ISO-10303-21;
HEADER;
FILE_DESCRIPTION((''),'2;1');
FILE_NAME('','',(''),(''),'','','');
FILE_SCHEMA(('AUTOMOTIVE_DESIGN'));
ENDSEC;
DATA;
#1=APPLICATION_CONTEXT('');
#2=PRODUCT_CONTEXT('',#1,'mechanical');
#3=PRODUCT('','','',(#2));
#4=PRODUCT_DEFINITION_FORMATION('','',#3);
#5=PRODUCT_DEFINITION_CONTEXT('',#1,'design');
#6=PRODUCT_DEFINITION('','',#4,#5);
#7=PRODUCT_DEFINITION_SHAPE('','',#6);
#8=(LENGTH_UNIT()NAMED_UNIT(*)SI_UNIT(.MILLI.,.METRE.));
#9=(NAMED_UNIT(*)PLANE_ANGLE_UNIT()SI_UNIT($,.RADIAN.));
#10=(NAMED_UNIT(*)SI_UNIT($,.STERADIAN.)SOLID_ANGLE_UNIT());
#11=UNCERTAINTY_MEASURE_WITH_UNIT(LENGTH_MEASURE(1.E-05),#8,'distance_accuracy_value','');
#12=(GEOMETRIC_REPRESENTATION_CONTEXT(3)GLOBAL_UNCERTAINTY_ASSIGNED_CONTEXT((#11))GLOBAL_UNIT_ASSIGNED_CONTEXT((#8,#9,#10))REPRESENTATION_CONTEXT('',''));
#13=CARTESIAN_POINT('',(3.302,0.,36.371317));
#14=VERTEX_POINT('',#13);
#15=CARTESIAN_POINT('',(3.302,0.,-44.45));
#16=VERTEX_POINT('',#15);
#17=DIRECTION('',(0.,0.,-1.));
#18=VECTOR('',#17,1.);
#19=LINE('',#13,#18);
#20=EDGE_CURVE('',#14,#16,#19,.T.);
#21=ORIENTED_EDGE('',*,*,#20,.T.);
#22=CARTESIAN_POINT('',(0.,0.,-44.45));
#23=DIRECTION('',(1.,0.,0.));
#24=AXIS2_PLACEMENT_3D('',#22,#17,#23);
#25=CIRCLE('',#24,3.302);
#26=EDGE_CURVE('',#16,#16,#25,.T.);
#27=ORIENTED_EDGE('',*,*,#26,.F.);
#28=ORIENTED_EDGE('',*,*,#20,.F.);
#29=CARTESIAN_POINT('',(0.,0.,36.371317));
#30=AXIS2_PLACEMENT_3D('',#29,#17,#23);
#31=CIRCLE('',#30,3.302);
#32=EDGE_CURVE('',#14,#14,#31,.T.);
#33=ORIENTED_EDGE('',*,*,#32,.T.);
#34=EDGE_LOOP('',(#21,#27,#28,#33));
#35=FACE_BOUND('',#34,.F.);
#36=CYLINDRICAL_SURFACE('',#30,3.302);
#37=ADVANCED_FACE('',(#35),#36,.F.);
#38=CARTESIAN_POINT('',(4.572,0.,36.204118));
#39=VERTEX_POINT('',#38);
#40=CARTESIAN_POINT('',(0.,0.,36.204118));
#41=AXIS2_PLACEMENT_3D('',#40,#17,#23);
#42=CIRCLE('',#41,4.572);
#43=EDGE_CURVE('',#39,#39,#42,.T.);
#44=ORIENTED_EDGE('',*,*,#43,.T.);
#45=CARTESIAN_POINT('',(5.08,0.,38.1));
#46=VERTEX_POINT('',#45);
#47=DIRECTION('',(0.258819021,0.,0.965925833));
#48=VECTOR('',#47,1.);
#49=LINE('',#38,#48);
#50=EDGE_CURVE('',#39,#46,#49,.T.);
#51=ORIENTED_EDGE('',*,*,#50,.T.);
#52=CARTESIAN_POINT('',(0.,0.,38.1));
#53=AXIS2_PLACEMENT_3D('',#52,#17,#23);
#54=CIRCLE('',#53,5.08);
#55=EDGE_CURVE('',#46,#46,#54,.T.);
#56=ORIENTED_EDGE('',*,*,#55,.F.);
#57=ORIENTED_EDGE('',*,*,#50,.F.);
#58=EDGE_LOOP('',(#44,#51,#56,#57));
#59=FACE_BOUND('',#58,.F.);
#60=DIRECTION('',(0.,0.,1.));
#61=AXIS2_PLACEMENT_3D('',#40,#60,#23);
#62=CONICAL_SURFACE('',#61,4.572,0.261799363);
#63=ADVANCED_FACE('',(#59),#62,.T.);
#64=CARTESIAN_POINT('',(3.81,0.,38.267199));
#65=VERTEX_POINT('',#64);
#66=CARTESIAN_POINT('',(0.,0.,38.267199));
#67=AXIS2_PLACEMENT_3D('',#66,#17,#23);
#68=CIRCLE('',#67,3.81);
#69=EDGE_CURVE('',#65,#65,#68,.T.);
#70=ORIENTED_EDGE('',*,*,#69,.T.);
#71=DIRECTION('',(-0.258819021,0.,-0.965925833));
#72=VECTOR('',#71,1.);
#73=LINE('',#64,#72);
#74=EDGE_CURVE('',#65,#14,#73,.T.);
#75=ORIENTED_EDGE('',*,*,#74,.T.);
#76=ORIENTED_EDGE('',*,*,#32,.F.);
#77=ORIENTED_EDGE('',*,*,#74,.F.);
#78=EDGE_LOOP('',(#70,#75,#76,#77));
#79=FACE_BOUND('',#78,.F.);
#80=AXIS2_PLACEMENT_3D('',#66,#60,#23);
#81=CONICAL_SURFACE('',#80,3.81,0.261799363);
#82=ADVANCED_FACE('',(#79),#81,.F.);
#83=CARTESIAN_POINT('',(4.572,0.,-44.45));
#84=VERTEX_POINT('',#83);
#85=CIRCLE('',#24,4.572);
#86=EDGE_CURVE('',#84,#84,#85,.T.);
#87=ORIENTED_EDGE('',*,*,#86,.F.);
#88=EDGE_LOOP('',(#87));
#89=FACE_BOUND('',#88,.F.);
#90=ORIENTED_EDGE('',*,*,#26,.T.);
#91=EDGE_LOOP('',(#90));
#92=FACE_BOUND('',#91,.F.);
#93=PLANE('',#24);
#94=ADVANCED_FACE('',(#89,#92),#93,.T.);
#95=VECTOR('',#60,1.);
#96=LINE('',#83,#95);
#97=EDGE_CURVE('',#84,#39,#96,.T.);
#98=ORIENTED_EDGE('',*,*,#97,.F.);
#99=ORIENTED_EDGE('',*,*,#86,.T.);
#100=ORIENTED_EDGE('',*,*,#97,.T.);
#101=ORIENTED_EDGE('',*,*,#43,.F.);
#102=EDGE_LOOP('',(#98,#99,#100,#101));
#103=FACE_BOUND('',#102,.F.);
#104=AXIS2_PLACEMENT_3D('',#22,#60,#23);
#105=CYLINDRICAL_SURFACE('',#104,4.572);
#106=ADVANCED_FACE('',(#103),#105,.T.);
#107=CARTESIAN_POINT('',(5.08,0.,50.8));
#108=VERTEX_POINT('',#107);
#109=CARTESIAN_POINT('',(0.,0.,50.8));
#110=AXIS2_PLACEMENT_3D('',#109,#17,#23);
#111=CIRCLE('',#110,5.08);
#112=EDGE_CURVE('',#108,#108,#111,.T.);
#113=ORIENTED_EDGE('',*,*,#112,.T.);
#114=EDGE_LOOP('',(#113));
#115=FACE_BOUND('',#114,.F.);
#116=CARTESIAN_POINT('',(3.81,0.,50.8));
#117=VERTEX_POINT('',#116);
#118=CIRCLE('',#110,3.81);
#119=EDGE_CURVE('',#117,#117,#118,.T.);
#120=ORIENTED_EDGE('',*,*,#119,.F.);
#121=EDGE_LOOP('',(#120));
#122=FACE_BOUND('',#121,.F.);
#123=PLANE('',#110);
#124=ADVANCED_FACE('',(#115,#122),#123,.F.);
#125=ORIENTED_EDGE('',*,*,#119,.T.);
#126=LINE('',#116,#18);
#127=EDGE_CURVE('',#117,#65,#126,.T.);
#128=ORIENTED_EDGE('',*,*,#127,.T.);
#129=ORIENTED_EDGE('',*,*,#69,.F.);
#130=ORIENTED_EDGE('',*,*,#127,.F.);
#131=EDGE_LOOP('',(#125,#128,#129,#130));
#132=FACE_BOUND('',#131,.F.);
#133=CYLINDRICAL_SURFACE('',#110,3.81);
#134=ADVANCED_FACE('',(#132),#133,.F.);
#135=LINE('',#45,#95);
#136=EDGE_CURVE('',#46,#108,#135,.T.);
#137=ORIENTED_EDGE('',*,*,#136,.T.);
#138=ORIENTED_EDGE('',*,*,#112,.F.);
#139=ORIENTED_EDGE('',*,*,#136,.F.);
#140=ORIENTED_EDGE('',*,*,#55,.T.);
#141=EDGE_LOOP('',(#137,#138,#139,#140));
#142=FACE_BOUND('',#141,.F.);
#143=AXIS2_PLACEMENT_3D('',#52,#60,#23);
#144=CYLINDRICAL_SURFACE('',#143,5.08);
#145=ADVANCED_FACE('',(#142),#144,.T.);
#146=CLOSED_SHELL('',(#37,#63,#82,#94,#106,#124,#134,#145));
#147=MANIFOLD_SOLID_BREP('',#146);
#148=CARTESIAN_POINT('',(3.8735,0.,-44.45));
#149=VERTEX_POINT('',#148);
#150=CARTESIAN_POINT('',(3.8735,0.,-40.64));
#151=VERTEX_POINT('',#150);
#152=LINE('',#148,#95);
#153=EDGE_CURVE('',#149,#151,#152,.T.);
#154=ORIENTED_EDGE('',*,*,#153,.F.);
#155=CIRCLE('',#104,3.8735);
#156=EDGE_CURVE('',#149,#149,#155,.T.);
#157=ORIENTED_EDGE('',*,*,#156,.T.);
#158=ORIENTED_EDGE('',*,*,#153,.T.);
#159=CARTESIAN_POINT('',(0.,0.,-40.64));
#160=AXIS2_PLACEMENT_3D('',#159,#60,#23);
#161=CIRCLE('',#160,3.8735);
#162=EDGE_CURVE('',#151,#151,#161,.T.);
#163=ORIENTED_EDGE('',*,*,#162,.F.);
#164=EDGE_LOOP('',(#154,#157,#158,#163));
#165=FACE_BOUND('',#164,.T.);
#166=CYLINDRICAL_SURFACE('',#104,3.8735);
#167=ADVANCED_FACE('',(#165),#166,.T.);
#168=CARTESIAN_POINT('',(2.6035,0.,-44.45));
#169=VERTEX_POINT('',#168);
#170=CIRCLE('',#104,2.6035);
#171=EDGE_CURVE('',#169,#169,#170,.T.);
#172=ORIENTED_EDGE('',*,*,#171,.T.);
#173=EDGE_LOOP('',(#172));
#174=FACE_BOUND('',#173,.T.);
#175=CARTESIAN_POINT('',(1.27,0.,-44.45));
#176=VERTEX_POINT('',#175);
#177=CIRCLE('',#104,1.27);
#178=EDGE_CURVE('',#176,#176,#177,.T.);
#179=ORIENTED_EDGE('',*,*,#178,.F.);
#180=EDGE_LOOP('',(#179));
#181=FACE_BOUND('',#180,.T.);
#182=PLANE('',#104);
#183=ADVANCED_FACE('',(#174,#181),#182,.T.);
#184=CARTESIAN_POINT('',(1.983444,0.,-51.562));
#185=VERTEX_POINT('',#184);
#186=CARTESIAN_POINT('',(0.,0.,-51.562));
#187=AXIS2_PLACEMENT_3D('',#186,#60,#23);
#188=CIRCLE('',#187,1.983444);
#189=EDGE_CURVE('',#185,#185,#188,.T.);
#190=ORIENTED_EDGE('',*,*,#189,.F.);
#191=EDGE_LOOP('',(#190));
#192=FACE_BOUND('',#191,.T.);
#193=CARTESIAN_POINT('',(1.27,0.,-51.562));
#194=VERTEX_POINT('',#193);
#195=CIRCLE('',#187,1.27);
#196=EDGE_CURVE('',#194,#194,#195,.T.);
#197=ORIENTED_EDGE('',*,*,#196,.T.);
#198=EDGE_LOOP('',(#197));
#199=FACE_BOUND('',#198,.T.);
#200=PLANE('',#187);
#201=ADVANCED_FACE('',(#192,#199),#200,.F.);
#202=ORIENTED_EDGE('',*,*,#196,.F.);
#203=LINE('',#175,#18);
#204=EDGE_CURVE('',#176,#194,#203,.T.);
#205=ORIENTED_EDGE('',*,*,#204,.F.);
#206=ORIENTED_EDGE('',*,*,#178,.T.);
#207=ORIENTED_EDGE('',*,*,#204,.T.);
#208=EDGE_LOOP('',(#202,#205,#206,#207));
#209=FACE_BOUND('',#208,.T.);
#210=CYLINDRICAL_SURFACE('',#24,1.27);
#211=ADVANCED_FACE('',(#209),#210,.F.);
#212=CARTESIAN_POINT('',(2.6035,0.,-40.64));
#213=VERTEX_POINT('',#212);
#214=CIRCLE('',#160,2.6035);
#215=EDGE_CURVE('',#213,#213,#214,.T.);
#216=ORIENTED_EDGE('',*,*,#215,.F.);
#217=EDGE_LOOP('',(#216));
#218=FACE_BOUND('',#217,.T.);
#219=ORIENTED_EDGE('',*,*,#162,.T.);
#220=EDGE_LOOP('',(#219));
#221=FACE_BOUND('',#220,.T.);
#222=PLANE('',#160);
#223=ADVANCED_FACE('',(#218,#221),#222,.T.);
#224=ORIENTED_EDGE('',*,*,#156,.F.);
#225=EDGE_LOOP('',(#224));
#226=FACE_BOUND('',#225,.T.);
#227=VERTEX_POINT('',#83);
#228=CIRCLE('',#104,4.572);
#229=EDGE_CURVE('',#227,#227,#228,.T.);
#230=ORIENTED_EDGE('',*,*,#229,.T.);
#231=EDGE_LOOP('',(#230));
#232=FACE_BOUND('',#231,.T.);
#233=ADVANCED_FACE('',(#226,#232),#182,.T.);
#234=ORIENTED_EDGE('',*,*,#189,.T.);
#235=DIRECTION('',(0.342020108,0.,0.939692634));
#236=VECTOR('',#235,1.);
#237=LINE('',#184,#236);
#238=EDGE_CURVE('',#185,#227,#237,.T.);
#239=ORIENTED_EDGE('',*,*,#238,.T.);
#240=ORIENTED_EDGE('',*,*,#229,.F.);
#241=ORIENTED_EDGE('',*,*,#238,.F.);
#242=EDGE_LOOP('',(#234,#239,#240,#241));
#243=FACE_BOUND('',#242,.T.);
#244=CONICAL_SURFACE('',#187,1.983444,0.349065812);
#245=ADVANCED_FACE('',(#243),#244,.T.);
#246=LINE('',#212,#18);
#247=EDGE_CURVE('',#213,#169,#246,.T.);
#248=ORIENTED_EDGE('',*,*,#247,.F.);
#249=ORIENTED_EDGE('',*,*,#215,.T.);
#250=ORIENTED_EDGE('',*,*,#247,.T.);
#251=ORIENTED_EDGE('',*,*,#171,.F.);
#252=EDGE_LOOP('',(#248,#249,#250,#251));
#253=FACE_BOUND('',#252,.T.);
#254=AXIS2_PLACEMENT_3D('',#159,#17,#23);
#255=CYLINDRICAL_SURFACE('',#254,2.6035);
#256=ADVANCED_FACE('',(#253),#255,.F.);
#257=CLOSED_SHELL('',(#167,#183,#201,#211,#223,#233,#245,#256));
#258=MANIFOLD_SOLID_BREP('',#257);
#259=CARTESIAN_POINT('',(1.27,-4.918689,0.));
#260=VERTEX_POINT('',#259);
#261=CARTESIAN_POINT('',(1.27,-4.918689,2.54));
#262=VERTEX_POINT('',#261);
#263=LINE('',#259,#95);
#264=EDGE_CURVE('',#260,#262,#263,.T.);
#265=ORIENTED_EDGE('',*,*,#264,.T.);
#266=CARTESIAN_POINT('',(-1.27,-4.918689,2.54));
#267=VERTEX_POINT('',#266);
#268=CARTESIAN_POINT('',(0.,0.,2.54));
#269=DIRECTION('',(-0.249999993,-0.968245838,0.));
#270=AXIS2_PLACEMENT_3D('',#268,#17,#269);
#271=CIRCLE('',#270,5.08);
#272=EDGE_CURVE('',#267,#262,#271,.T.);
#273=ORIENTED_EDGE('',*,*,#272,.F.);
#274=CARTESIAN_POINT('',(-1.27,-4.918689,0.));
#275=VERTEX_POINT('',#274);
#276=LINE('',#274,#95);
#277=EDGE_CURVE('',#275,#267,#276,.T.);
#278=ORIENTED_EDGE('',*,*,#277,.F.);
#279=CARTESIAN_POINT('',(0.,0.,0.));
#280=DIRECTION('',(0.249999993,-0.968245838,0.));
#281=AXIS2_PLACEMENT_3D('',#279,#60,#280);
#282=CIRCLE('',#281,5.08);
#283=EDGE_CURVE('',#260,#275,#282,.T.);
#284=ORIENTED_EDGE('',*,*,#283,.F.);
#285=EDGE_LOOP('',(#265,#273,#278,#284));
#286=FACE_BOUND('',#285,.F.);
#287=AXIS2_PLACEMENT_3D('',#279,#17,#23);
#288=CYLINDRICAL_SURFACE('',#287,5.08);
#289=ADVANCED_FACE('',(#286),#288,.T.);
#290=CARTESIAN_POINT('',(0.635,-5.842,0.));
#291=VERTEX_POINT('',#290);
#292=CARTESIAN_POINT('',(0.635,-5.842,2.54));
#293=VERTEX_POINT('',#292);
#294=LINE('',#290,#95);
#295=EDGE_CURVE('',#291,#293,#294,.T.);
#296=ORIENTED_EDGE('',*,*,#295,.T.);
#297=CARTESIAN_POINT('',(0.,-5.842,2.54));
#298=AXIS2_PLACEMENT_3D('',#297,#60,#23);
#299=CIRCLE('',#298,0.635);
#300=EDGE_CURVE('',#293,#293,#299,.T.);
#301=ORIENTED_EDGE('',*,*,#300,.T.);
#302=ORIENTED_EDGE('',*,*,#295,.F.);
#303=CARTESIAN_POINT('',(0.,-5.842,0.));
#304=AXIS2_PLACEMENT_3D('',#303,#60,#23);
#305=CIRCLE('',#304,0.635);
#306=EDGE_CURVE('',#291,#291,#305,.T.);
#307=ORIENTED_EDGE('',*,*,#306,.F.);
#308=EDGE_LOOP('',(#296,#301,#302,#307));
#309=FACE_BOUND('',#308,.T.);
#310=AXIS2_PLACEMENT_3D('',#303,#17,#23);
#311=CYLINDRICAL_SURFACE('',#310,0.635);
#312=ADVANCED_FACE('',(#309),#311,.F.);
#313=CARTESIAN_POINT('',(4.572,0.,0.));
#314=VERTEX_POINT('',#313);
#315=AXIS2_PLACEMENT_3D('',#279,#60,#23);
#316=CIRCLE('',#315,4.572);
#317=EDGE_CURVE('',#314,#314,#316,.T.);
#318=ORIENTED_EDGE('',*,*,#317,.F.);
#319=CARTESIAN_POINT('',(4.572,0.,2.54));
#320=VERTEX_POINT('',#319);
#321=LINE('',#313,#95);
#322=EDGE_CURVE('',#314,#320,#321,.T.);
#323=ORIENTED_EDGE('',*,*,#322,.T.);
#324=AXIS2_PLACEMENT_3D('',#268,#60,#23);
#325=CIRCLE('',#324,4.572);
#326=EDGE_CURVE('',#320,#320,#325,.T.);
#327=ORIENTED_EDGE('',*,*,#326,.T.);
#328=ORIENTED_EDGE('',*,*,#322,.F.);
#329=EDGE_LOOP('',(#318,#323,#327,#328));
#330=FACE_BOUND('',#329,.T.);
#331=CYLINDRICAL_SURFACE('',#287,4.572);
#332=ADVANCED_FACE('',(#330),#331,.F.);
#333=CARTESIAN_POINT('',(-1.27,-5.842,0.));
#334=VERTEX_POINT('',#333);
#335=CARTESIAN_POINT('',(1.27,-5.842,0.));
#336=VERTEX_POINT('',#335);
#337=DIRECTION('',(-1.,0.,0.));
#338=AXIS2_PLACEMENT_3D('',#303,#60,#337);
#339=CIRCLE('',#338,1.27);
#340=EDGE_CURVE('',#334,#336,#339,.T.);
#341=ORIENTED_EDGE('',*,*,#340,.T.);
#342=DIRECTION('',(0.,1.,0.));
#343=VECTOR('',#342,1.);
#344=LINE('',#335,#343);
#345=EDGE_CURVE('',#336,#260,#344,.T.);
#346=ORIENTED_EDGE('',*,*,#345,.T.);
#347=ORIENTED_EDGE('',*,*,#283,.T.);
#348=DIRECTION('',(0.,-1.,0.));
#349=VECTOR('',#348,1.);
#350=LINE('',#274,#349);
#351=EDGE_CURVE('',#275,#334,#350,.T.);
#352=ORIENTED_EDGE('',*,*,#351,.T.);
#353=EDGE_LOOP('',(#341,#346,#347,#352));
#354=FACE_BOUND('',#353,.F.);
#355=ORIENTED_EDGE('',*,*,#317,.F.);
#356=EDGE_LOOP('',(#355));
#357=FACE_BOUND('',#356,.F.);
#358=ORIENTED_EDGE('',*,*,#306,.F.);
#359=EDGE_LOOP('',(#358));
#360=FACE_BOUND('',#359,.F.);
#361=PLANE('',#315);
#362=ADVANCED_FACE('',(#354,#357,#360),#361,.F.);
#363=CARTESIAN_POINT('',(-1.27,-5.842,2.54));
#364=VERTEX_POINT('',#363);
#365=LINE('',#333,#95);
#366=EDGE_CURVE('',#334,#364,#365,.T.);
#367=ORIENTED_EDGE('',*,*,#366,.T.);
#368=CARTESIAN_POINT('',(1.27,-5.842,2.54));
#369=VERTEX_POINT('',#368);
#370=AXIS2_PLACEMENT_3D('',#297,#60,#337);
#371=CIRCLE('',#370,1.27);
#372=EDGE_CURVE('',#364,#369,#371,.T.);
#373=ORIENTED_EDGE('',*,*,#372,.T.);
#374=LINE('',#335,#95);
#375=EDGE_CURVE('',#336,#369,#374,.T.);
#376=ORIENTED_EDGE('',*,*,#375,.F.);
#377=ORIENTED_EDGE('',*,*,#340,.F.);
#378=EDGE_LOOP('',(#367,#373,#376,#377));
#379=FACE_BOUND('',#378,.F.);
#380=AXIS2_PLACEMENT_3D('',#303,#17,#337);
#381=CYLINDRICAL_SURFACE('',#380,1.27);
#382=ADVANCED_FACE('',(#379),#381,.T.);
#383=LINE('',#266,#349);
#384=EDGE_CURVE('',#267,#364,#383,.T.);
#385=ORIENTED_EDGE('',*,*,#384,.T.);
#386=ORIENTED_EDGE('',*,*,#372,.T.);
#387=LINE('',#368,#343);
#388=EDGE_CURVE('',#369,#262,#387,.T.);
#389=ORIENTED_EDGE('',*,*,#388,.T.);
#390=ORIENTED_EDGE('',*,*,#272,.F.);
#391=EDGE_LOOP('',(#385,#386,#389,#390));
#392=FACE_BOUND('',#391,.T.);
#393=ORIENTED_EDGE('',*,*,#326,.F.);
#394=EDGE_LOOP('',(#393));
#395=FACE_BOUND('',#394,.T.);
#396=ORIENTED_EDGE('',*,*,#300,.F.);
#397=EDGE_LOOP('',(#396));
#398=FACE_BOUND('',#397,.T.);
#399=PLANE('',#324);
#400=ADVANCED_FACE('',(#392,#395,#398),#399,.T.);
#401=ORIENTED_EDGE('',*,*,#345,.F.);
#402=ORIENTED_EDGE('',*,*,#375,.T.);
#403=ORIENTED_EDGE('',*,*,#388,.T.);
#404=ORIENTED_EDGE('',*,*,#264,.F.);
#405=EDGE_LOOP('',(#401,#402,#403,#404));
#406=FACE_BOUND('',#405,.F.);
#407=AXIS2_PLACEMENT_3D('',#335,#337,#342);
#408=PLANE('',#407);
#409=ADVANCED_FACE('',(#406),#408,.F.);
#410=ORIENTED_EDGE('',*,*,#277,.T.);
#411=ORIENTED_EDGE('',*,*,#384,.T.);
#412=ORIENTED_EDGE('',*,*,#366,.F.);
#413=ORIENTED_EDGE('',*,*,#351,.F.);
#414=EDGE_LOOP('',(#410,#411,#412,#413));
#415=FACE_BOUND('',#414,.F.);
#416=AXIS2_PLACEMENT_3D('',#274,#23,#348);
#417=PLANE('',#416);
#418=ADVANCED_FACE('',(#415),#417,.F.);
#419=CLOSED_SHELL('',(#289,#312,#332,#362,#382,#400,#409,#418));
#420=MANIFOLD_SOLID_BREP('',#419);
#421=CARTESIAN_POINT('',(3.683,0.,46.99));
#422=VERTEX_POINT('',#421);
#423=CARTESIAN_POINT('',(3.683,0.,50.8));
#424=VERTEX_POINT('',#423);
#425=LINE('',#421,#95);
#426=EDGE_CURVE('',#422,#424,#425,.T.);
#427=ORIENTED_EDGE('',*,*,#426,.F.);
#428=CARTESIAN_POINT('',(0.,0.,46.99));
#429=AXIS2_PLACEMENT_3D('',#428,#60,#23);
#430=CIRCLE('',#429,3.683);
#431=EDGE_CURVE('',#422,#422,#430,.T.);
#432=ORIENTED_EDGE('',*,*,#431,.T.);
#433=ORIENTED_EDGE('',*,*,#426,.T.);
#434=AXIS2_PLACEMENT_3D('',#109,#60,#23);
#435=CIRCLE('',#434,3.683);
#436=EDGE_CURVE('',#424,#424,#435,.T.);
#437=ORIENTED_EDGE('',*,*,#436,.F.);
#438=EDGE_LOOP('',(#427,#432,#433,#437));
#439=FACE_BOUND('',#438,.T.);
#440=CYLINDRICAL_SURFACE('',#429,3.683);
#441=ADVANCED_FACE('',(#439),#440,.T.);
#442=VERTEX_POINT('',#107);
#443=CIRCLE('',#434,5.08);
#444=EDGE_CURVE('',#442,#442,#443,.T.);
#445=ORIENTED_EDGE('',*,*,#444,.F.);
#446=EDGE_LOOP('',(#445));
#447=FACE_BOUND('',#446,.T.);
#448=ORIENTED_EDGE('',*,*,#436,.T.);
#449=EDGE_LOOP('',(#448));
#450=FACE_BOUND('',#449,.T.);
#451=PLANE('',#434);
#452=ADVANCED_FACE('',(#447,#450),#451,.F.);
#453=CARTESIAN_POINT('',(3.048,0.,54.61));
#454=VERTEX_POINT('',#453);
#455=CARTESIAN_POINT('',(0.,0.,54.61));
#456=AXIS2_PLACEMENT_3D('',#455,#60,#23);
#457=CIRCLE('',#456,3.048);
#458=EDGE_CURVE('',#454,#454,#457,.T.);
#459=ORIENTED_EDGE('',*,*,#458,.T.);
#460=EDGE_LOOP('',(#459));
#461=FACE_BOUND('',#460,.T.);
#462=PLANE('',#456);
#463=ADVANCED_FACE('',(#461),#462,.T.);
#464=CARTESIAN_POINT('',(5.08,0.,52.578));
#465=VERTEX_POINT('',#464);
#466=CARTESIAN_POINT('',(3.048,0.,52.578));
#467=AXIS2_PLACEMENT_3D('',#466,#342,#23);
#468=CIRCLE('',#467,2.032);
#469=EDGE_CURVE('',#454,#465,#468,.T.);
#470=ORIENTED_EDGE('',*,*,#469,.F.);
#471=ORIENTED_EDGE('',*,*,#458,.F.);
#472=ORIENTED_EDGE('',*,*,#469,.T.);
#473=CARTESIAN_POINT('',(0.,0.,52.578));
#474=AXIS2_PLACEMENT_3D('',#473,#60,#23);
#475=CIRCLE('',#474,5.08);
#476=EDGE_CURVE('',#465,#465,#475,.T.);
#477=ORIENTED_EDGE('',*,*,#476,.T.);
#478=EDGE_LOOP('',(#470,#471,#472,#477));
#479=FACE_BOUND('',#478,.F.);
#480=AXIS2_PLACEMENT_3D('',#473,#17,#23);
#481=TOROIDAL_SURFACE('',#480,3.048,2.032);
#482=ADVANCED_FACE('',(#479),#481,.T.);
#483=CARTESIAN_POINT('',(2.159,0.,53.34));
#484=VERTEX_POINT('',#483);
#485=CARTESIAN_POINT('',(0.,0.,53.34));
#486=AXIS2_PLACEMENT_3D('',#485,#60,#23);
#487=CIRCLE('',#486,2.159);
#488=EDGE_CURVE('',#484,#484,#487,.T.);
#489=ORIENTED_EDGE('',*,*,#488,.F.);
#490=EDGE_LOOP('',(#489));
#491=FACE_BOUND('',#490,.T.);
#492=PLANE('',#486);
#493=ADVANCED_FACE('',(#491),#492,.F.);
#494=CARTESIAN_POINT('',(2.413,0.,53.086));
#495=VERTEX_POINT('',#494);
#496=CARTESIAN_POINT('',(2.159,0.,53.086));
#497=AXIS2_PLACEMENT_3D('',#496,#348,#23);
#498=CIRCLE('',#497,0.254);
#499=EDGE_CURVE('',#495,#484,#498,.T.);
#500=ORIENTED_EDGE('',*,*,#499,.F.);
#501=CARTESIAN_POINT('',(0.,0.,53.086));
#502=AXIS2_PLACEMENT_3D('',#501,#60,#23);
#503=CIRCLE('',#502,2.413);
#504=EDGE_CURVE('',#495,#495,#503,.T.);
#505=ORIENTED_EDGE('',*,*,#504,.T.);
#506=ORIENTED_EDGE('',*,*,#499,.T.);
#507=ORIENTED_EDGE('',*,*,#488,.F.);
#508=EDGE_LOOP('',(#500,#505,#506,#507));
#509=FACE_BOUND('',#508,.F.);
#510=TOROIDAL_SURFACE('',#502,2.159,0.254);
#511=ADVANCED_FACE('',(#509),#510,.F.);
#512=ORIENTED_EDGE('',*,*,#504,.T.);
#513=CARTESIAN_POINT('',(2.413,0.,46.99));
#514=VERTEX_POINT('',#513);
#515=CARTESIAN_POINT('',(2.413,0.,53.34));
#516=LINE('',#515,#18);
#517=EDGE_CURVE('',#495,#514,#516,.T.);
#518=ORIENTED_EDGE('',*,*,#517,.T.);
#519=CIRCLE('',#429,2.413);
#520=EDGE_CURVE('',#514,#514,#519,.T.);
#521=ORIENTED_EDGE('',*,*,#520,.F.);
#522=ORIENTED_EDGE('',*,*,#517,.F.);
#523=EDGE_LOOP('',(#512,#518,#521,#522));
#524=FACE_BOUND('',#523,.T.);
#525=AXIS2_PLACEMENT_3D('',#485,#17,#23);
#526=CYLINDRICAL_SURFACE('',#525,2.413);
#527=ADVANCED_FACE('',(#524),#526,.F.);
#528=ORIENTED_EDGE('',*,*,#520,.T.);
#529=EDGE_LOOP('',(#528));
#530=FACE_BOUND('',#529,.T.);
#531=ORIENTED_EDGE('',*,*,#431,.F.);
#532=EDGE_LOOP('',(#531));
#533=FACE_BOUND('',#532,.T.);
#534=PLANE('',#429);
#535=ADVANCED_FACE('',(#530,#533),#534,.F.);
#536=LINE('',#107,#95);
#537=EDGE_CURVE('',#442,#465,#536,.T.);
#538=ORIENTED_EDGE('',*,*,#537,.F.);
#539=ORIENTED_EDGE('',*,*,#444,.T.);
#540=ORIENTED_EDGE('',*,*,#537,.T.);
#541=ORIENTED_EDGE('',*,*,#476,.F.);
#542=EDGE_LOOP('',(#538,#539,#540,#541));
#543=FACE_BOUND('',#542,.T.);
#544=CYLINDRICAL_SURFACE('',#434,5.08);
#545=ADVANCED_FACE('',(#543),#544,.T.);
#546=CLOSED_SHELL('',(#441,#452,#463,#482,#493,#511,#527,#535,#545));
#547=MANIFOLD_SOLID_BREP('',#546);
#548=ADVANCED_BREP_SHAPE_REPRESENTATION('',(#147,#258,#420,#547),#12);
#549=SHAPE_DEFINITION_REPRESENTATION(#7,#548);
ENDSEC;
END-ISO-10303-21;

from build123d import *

# Parameters (mm, degrees)
F4_R      = 2.032
F5_R      = 0.254
F8_R      = 5.08
F8_R_2    = 4.572
F9_DEPTH  = 2.54
F10_R     = 0.635
F11_DEPTH = 2.54


with BuildPart() as f1:
    # F0 (on Front) → F1 (revolve)
    with BuildSketch(Plane.XZ):
        Polygon((5.08, 38.1), (5.08, 50.8), (3.81, 50.8), (3.81, 38.267199), (3.302, 36.371317), (3.302, -44.45), (4.572, -44.45), (4.572, 36.204118), align=None)
    revolve(axis=Axis((0, 0, 3.175), (0, 0, -1)))


with BuildPart() as f3:
    # F2 (on Front) → F3 (revolve)
    with BuildSketch(Plane.XZ):
        Polygon((5.08, 54.61), (0, 54.61), (0, 53.34), (2.413, 53.34), (2.413, 46.99), (3.683, 46.99), (3.683, 50.8), (5.08, 50.8), align=None)
    revolve(axis=Axis((0, 0, 26.873097), (0, 0, 1)))

    # F4
    f4_edges = [f3.edges().sort_by_distance(p)[0] for p in [
        (-5.08, 0, 54.61),
    ]]
    fillet(f4_edges, radius=F4_R)

    # F5
    f5_edges = [f3.edges().sort_by_distance(p)[0] for p in [
        (-2.413, 0, 53.34),
    ]]
    fillet(f5_edges, radius=F5_R)


with BuildPart() as f7:
    # F6 (on Front) → F7 (revolve)
    with BuildSketch(Plane.XZ):
        Polygon((3.8735, -44.45), (3.8735, -40.64), (2.6035, -40.64), (2.6035, -44.45), (1.27, -44.45), (1.27, -51.562), (1.983444, -51.562), (4.572, -44.45), align=None)
    revolve(axis=Axis((0, 0, -57.989374), (0, 0, 1)))


with BuildPart() as f9:
    # F8 (on Top) → F9 (new body)
    with BuildSketch(Plane.XY):
        Circle(F8_R)
        Circle(F8_R_2, mode=Mode.SUBTRACT)
    extrude(amount=F9_DEPTH)

    # F10 (on Top) → F11 (join, through all)
    with BuildSketch(Plane.XY):
        with BuildLine():
            Line((-1.27, -4.918689), (-1.27, -5.842))
            ThreePointArc((-1.27, -5.842), (0, -7.112), (1.27, -5.842))
            Line((1.27, -5.842), (1.27, -4.918689))
            ThreePointArc((1.27, -4.918689), (0, -5.08), (-1.27, -4.918689))
        make_face()
        with Locations((0, -5.842)):
            Circle(F10_R, mode=Mode.SUBTRACT)
    extrude(amount=F11_DEPTH)


solid = Compound([f1.part, f3.part, f7.part, f9.part])
